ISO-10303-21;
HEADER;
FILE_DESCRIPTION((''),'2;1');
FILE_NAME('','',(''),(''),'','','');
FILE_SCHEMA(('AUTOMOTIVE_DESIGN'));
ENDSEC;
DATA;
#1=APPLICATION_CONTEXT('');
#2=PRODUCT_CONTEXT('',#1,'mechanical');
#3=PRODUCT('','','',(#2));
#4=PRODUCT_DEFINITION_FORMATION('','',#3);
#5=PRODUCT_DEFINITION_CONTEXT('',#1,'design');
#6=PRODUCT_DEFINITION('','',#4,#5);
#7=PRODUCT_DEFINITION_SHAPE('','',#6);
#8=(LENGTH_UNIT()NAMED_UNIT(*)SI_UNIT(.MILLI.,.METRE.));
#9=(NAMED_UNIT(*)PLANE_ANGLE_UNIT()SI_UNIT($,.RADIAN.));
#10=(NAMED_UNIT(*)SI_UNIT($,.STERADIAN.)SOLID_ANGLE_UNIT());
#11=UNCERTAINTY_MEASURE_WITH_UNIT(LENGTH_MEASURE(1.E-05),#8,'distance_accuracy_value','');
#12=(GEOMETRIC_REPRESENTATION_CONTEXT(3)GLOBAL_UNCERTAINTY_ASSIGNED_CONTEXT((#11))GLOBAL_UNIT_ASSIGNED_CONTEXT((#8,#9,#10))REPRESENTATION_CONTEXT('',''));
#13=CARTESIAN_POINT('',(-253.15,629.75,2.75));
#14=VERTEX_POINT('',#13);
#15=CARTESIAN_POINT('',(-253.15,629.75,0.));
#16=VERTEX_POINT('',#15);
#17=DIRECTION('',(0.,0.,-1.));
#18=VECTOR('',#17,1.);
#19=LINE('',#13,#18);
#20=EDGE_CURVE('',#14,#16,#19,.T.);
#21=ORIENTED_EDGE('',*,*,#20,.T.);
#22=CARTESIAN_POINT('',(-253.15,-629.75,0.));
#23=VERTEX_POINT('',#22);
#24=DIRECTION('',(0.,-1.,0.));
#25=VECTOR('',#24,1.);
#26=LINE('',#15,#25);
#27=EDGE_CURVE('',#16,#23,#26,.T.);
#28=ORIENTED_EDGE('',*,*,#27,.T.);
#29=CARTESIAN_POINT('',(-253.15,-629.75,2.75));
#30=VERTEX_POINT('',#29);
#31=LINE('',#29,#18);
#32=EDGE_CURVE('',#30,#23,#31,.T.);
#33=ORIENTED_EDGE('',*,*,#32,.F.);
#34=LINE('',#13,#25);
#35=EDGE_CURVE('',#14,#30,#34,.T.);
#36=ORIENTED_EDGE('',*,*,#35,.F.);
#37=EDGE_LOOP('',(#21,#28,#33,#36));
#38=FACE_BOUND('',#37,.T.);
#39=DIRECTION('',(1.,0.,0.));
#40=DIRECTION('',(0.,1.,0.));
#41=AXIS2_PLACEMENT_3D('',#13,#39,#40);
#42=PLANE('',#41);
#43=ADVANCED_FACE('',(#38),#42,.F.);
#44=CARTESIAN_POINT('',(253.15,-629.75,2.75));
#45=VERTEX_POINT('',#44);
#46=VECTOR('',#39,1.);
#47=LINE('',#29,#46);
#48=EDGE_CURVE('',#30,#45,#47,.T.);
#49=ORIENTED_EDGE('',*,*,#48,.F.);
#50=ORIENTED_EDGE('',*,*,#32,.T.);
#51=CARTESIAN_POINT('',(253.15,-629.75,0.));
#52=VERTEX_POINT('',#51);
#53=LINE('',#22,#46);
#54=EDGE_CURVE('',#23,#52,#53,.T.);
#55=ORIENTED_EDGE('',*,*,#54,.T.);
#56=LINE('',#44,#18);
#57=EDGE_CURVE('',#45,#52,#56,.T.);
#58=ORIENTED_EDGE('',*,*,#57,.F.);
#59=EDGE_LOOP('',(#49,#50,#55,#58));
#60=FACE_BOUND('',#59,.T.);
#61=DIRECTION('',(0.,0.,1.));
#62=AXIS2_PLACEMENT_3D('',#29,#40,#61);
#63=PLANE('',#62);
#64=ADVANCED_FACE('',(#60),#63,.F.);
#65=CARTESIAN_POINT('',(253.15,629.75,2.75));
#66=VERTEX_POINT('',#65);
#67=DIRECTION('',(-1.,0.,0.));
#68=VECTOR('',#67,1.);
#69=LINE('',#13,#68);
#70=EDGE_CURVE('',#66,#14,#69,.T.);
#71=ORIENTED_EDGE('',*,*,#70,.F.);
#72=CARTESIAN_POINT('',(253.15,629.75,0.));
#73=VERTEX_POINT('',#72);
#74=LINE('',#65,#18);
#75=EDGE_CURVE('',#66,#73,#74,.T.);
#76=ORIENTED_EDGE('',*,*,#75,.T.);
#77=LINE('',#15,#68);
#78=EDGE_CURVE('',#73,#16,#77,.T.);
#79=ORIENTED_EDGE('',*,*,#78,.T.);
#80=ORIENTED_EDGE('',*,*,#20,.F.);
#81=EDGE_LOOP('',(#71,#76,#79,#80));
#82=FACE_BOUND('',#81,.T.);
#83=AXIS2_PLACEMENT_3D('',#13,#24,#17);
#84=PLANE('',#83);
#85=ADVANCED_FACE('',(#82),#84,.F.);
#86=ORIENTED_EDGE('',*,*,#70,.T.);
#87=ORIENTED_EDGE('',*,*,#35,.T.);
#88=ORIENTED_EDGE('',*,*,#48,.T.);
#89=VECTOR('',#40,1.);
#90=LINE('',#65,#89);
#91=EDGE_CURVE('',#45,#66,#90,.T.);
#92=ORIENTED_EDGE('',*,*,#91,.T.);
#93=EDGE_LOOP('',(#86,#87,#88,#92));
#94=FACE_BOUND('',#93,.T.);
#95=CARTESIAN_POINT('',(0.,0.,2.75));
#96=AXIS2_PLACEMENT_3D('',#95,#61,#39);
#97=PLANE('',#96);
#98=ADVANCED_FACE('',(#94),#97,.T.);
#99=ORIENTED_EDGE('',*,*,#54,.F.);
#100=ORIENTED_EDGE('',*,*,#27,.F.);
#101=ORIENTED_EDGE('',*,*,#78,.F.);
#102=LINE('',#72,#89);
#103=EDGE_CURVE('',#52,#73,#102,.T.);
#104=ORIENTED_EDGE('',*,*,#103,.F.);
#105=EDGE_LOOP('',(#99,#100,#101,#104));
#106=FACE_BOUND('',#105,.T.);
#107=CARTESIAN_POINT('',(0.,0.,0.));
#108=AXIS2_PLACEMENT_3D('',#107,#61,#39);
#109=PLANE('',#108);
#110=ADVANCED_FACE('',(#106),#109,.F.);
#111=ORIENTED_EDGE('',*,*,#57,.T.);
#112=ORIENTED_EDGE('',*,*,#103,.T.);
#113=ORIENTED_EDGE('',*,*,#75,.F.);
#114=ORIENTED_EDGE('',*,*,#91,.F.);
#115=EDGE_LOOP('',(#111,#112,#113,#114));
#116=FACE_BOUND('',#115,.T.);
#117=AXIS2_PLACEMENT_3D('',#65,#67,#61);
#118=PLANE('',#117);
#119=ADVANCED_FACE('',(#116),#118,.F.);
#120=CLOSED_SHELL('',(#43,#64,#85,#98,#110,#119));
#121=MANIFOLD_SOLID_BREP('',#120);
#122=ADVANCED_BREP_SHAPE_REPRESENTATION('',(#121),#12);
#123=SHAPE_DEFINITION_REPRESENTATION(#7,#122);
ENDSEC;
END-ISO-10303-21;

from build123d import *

# Parameters (mm, degrees)
SKETCH_1_W      = 506.3
SKETCH_1_H      = 1259.5
EXTRUDE_1_DEPTH = 2.75


with BuildPart() as part:
    # 草圖1 → 填料-伸長1 (new body)
    with BuildSketch(Plane.XY):
        Rectangle(SKETCH_1_W, SKETCH_1_H)
    extrude(amount=EXTRUDE_1_DEPTH)


solid = part.part
